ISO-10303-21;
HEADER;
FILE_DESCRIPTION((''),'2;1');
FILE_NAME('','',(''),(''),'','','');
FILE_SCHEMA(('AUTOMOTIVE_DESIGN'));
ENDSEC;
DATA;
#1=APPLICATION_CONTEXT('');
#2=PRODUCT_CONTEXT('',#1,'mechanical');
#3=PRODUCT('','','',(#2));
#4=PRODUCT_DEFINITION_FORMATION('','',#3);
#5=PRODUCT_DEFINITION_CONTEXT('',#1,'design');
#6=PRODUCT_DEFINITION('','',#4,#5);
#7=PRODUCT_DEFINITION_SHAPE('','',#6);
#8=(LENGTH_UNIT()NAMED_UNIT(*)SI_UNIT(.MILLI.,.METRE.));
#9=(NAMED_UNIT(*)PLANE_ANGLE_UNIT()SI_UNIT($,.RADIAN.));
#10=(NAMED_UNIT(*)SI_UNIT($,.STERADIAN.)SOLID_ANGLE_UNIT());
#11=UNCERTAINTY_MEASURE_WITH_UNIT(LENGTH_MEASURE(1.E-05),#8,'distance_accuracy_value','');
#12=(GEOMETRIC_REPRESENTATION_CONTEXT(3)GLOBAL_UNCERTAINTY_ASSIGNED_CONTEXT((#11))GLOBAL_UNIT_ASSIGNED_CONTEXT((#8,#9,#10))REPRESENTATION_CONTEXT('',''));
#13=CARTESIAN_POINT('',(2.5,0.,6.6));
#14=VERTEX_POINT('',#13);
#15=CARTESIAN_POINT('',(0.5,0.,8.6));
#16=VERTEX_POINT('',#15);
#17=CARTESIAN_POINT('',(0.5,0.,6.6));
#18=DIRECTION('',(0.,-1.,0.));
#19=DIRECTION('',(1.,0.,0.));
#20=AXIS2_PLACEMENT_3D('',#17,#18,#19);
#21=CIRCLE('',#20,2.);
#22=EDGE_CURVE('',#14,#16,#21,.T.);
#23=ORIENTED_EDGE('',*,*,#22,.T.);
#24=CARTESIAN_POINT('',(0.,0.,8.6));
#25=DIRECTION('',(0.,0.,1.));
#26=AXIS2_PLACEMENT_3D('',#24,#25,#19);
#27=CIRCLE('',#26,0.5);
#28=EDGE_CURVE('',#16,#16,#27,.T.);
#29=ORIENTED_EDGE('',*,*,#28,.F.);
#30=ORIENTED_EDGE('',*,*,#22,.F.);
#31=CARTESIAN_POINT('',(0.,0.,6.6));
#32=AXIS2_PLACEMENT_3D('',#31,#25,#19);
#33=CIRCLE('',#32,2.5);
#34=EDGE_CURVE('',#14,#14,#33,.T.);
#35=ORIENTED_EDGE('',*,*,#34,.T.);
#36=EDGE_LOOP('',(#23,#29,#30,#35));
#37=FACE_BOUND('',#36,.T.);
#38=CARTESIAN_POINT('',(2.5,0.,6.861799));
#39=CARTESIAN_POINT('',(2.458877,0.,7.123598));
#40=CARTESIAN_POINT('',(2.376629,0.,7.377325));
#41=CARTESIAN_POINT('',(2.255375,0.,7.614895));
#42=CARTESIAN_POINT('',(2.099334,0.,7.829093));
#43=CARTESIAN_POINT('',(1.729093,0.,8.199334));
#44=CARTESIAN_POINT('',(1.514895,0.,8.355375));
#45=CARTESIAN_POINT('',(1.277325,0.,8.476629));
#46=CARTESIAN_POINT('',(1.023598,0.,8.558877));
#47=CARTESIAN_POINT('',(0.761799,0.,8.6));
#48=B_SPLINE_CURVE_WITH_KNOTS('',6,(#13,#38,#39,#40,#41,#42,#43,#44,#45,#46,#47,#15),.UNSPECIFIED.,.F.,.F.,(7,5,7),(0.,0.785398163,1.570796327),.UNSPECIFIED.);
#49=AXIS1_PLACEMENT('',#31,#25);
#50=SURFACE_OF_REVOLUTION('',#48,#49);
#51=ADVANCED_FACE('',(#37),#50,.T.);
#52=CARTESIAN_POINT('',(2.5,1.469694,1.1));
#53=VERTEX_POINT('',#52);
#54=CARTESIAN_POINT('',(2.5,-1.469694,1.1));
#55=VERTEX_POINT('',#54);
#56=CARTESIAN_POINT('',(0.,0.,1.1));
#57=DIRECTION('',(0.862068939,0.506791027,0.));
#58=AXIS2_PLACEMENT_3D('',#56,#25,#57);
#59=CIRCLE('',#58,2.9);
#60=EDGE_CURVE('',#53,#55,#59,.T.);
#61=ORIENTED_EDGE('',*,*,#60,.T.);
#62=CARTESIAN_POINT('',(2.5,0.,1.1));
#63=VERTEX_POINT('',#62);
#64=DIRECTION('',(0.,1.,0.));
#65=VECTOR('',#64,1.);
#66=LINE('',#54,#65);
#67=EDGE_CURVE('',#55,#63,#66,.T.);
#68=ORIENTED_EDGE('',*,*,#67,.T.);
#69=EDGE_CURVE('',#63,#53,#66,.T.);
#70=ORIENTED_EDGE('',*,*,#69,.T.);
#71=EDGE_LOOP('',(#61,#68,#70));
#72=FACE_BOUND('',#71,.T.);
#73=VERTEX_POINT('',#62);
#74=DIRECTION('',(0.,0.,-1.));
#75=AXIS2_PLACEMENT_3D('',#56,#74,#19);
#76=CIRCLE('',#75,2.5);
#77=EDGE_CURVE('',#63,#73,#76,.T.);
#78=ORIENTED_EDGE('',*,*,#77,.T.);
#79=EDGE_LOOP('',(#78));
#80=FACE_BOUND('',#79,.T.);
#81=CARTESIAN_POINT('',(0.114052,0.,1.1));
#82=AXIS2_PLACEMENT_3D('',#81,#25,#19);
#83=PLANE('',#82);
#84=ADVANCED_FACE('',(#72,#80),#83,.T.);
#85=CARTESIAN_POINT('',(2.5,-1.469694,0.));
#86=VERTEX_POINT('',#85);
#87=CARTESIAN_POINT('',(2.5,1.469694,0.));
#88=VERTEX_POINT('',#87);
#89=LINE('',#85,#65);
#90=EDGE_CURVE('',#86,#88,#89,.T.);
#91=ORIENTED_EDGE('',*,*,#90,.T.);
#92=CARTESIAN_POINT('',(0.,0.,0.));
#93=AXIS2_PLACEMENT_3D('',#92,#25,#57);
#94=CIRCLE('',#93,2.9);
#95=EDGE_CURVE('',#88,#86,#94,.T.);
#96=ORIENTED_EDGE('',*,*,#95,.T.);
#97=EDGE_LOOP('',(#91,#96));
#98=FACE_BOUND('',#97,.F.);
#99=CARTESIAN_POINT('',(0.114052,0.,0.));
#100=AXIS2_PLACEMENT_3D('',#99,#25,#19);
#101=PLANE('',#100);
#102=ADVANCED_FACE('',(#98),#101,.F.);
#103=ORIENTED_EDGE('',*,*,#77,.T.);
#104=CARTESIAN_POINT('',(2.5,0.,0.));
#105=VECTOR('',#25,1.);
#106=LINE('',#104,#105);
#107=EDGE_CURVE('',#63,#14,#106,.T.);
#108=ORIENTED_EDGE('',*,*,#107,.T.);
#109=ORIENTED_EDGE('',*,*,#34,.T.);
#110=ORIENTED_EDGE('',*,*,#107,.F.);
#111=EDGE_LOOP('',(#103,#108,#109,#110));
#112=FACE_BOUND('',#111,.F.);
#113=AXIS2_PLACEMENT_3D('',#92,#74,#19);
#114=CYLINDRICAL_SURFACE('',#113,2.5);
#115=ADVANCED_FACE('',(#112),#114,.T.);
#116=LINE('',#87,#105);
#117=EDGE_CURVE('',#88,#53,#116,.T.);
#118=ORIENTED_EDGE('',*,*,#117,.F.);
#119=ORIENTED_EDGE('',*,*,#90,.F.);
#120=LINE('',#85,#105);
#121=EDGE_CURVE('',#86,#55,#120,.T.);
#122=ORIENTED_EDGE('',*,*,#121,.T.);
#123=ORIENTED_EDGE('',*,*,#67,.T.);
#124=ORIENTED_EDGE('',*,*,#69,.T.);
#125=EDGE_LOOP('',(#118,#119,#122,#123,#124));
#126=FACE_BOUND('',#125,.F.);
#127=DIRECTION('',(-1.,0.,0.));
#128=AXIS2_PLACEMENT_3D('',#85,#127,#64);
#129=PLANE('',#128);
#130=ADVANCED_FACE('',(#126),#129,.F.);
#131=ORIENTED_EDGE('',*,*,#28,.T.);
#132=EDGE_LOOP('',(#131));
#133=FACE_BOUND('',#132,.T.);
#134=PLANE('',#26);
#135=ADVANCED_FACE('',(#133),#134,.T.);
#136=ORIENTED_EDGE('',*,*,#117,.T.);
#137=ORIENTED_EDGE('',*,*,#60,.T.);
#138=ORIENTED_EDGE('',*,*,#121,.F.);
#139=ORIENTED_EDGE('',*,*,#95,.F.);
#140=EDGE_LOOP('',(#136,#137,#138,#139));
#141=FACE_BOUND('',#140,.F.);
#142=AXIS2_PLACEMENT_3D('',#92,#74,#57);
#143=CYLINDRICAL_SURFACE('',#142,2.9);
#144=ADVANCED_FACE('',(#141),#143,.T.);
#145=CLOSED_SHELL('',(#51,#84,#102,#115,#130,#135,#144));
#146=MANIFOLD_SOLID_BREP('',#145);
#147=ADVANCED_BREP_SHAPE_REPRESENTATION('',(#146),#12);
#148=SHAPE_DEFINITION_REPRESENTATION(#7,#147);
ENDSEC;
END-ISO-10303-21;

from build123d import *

# Parameters (mm, degrees)
F2_R     = 2.5
F0_DEPTH = 8.6
F3_DEPTH = 1.1
F4_R     = 2


with BuildPart() as f0:
    # F2 (on Top) → F0 (new body)
    with BuildSketch(Plane.XY):
        Circle(F2_R)
    extrude(amount=F0_DEPTH)

    # F1 (on Top) → F3 (join)
    with BuildSketch(Plane.XY):
        with BuildLine():
            Line((2.5, -1.469694), (2.5, 1.469694))
            ThreePointArc((2.5, 1.469694), (-2.9, 0), (2.5, -1.469694))
        make_face()
    extrude(amount=F3_DEPTH)

    # F4
    f4_edges = [f0.edges().sort_by_distance(p)[0] for p in [
        (-2.5, 0, 8.6),
    ]]
    fillet(f4_edges, radius=F4_R)


solid = f0.part
